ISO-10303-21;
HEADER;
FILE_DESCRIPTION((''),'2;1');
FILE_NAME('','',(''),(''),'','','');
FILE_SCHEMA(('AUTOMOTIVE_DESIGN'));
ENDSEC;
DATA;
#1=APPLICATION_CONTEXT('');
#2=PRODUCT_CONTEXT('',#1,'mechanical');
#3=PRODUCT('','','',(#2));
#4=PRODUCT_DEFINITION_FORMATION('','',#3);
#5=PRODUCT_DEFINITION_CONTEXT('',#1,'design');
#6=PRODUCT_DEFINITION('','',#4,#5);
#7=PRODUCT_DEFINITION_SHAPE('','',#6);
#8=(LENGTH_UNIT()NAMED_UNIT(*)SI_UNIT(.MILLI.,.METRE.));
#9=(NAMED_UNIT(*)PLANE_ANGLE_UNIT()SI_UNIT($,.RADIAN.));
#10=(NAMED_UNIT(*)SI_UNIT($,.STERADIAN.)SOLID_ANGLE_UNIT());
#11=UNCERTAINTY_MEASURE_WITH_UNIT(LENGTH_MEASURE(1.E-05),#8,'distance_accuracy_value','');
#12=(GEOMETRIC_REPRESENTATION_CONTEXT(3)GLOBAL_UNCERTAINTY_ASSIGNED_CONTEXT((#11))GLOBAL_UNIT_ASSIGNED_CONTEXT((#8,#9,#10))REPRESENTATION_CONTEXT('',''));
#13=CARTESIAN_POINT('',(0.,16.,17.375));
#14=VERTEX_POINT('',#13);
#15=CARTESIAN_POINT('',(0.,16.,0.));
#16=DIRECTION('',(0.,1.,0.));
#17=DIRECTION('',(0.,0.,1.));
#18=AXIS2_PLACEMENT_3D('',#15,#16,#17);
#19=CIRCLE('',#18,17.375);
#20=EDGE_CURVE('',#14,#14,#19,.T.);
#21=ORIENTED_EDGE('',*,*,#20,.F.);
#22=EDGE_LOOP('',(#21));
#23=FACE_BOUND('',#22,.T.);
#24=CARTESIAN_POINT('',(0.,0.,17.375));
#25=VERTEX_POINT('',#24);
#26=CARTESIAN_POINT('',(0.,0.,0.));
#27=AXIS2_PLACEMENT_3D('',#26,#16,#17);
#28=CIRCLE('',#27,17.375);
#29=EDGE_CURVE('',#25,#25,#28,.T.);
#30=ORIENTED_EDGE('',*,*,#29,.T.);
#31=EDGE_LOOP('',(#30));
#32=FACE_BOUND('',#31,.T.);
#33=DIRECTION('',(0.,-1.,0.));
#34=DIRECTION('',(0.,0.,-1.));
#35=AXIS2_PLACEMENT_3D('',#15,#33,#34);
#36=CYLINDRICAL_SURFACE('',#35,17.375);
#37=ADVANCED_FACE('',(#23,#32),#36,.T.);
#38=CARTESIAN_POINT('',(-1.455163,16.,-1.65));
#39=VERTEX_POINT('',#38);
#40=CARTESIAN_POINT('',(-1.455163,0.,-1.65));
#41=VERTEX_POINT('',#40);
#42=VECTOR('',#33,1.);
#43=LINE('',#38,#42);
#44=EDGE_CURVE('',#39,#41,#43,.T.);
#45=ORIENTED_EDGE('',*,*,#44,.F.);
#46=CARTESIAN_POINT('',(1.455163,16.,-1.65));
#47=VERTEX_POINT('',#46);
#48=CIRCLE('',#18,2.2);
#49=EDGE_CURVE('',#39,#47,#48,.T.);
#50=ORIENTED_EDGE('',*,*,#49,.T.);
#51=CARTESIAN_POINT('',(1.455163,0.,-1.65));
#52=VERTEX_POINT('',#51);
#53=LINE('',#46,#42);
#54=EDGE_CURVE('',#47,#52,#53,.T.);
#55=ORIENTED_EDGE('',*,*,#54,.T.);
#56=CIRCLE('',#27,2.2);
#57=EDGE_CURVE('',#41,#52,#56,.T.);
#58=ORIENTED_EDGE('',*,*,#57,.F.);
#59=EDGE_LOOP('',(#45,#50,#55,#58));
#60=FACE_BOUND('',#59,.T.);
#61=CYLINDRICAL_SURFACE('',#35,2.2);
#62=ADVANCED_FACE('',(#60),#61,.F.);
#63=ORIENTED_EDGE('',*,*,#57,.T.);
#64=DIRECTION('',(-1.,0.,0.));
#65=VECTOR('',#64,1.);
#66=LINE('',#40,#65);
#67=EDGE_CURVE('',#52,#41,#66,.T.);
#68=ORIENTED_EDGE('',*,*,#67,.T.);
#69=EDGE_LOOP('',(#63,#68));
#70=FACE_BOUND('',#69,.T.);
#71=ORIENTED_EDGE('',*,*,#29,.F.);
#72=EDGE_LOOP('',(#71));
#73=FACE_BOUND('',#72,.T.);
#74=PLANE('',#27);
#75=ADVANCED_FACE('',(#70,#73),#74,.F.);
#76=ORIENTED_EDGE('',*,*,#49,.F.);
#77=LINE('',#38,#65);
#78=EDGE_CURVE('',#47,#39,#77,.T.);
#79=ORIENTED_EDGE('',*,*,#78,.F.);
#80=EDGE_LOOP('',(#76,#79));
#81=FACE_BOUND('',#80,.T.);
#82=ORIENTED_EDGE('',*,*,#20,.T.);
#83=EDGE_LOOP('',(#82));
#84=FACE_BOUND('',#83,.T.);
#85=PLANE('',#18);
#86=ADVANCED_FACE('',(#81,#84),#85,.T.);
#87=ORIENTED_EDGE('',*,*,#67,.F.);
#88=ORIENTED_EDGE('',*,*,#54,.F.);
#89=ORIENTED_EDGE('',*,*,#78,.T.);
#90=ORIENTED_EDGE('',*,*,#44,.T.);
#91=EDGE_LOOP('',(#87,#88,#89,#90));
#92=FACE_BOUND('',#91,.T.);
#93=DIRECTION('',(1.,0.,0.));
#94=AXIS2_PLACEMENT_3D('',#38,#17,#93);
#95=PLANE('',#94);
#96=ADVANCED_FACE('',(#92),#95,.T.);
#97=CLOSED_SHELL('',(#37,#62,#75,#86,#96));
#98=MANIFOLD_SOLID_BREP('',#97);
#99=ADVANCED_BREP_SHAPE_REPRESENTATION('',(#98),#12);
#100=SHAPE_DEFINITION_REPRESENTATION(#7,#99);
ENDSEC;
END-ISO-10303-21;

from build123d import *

# Parameters (mm, degrees)
SKETCH5_R           = 17.375
BOSS_EXTRUDE3_DEPTH = 16


with BuildPart() as part:
    # Sketch5 → Boss-Extrude3 (new body)
    with BuildSketch(Plane(origin=(0, 0, 0), x_dir=(1, 0, 0), z_dir=(0, 1, 0))):
        with Locations(Location((0, 0, 0), (0, 0, 270))):
            Circle(SKETCH5_R)
        with BuildLine():
            Line((-1.455163221, 1.65), (1.455163221, 1.65))
            ThreePointArc((1.455163221, 1.65), (0, -2.2), (-1.455163221, 1.65))
        make_face(mode=Mode.SUBTRACT)
    extrude(amount=BOSS_EXTRUDE3_DEPTH)


solid = part.part
